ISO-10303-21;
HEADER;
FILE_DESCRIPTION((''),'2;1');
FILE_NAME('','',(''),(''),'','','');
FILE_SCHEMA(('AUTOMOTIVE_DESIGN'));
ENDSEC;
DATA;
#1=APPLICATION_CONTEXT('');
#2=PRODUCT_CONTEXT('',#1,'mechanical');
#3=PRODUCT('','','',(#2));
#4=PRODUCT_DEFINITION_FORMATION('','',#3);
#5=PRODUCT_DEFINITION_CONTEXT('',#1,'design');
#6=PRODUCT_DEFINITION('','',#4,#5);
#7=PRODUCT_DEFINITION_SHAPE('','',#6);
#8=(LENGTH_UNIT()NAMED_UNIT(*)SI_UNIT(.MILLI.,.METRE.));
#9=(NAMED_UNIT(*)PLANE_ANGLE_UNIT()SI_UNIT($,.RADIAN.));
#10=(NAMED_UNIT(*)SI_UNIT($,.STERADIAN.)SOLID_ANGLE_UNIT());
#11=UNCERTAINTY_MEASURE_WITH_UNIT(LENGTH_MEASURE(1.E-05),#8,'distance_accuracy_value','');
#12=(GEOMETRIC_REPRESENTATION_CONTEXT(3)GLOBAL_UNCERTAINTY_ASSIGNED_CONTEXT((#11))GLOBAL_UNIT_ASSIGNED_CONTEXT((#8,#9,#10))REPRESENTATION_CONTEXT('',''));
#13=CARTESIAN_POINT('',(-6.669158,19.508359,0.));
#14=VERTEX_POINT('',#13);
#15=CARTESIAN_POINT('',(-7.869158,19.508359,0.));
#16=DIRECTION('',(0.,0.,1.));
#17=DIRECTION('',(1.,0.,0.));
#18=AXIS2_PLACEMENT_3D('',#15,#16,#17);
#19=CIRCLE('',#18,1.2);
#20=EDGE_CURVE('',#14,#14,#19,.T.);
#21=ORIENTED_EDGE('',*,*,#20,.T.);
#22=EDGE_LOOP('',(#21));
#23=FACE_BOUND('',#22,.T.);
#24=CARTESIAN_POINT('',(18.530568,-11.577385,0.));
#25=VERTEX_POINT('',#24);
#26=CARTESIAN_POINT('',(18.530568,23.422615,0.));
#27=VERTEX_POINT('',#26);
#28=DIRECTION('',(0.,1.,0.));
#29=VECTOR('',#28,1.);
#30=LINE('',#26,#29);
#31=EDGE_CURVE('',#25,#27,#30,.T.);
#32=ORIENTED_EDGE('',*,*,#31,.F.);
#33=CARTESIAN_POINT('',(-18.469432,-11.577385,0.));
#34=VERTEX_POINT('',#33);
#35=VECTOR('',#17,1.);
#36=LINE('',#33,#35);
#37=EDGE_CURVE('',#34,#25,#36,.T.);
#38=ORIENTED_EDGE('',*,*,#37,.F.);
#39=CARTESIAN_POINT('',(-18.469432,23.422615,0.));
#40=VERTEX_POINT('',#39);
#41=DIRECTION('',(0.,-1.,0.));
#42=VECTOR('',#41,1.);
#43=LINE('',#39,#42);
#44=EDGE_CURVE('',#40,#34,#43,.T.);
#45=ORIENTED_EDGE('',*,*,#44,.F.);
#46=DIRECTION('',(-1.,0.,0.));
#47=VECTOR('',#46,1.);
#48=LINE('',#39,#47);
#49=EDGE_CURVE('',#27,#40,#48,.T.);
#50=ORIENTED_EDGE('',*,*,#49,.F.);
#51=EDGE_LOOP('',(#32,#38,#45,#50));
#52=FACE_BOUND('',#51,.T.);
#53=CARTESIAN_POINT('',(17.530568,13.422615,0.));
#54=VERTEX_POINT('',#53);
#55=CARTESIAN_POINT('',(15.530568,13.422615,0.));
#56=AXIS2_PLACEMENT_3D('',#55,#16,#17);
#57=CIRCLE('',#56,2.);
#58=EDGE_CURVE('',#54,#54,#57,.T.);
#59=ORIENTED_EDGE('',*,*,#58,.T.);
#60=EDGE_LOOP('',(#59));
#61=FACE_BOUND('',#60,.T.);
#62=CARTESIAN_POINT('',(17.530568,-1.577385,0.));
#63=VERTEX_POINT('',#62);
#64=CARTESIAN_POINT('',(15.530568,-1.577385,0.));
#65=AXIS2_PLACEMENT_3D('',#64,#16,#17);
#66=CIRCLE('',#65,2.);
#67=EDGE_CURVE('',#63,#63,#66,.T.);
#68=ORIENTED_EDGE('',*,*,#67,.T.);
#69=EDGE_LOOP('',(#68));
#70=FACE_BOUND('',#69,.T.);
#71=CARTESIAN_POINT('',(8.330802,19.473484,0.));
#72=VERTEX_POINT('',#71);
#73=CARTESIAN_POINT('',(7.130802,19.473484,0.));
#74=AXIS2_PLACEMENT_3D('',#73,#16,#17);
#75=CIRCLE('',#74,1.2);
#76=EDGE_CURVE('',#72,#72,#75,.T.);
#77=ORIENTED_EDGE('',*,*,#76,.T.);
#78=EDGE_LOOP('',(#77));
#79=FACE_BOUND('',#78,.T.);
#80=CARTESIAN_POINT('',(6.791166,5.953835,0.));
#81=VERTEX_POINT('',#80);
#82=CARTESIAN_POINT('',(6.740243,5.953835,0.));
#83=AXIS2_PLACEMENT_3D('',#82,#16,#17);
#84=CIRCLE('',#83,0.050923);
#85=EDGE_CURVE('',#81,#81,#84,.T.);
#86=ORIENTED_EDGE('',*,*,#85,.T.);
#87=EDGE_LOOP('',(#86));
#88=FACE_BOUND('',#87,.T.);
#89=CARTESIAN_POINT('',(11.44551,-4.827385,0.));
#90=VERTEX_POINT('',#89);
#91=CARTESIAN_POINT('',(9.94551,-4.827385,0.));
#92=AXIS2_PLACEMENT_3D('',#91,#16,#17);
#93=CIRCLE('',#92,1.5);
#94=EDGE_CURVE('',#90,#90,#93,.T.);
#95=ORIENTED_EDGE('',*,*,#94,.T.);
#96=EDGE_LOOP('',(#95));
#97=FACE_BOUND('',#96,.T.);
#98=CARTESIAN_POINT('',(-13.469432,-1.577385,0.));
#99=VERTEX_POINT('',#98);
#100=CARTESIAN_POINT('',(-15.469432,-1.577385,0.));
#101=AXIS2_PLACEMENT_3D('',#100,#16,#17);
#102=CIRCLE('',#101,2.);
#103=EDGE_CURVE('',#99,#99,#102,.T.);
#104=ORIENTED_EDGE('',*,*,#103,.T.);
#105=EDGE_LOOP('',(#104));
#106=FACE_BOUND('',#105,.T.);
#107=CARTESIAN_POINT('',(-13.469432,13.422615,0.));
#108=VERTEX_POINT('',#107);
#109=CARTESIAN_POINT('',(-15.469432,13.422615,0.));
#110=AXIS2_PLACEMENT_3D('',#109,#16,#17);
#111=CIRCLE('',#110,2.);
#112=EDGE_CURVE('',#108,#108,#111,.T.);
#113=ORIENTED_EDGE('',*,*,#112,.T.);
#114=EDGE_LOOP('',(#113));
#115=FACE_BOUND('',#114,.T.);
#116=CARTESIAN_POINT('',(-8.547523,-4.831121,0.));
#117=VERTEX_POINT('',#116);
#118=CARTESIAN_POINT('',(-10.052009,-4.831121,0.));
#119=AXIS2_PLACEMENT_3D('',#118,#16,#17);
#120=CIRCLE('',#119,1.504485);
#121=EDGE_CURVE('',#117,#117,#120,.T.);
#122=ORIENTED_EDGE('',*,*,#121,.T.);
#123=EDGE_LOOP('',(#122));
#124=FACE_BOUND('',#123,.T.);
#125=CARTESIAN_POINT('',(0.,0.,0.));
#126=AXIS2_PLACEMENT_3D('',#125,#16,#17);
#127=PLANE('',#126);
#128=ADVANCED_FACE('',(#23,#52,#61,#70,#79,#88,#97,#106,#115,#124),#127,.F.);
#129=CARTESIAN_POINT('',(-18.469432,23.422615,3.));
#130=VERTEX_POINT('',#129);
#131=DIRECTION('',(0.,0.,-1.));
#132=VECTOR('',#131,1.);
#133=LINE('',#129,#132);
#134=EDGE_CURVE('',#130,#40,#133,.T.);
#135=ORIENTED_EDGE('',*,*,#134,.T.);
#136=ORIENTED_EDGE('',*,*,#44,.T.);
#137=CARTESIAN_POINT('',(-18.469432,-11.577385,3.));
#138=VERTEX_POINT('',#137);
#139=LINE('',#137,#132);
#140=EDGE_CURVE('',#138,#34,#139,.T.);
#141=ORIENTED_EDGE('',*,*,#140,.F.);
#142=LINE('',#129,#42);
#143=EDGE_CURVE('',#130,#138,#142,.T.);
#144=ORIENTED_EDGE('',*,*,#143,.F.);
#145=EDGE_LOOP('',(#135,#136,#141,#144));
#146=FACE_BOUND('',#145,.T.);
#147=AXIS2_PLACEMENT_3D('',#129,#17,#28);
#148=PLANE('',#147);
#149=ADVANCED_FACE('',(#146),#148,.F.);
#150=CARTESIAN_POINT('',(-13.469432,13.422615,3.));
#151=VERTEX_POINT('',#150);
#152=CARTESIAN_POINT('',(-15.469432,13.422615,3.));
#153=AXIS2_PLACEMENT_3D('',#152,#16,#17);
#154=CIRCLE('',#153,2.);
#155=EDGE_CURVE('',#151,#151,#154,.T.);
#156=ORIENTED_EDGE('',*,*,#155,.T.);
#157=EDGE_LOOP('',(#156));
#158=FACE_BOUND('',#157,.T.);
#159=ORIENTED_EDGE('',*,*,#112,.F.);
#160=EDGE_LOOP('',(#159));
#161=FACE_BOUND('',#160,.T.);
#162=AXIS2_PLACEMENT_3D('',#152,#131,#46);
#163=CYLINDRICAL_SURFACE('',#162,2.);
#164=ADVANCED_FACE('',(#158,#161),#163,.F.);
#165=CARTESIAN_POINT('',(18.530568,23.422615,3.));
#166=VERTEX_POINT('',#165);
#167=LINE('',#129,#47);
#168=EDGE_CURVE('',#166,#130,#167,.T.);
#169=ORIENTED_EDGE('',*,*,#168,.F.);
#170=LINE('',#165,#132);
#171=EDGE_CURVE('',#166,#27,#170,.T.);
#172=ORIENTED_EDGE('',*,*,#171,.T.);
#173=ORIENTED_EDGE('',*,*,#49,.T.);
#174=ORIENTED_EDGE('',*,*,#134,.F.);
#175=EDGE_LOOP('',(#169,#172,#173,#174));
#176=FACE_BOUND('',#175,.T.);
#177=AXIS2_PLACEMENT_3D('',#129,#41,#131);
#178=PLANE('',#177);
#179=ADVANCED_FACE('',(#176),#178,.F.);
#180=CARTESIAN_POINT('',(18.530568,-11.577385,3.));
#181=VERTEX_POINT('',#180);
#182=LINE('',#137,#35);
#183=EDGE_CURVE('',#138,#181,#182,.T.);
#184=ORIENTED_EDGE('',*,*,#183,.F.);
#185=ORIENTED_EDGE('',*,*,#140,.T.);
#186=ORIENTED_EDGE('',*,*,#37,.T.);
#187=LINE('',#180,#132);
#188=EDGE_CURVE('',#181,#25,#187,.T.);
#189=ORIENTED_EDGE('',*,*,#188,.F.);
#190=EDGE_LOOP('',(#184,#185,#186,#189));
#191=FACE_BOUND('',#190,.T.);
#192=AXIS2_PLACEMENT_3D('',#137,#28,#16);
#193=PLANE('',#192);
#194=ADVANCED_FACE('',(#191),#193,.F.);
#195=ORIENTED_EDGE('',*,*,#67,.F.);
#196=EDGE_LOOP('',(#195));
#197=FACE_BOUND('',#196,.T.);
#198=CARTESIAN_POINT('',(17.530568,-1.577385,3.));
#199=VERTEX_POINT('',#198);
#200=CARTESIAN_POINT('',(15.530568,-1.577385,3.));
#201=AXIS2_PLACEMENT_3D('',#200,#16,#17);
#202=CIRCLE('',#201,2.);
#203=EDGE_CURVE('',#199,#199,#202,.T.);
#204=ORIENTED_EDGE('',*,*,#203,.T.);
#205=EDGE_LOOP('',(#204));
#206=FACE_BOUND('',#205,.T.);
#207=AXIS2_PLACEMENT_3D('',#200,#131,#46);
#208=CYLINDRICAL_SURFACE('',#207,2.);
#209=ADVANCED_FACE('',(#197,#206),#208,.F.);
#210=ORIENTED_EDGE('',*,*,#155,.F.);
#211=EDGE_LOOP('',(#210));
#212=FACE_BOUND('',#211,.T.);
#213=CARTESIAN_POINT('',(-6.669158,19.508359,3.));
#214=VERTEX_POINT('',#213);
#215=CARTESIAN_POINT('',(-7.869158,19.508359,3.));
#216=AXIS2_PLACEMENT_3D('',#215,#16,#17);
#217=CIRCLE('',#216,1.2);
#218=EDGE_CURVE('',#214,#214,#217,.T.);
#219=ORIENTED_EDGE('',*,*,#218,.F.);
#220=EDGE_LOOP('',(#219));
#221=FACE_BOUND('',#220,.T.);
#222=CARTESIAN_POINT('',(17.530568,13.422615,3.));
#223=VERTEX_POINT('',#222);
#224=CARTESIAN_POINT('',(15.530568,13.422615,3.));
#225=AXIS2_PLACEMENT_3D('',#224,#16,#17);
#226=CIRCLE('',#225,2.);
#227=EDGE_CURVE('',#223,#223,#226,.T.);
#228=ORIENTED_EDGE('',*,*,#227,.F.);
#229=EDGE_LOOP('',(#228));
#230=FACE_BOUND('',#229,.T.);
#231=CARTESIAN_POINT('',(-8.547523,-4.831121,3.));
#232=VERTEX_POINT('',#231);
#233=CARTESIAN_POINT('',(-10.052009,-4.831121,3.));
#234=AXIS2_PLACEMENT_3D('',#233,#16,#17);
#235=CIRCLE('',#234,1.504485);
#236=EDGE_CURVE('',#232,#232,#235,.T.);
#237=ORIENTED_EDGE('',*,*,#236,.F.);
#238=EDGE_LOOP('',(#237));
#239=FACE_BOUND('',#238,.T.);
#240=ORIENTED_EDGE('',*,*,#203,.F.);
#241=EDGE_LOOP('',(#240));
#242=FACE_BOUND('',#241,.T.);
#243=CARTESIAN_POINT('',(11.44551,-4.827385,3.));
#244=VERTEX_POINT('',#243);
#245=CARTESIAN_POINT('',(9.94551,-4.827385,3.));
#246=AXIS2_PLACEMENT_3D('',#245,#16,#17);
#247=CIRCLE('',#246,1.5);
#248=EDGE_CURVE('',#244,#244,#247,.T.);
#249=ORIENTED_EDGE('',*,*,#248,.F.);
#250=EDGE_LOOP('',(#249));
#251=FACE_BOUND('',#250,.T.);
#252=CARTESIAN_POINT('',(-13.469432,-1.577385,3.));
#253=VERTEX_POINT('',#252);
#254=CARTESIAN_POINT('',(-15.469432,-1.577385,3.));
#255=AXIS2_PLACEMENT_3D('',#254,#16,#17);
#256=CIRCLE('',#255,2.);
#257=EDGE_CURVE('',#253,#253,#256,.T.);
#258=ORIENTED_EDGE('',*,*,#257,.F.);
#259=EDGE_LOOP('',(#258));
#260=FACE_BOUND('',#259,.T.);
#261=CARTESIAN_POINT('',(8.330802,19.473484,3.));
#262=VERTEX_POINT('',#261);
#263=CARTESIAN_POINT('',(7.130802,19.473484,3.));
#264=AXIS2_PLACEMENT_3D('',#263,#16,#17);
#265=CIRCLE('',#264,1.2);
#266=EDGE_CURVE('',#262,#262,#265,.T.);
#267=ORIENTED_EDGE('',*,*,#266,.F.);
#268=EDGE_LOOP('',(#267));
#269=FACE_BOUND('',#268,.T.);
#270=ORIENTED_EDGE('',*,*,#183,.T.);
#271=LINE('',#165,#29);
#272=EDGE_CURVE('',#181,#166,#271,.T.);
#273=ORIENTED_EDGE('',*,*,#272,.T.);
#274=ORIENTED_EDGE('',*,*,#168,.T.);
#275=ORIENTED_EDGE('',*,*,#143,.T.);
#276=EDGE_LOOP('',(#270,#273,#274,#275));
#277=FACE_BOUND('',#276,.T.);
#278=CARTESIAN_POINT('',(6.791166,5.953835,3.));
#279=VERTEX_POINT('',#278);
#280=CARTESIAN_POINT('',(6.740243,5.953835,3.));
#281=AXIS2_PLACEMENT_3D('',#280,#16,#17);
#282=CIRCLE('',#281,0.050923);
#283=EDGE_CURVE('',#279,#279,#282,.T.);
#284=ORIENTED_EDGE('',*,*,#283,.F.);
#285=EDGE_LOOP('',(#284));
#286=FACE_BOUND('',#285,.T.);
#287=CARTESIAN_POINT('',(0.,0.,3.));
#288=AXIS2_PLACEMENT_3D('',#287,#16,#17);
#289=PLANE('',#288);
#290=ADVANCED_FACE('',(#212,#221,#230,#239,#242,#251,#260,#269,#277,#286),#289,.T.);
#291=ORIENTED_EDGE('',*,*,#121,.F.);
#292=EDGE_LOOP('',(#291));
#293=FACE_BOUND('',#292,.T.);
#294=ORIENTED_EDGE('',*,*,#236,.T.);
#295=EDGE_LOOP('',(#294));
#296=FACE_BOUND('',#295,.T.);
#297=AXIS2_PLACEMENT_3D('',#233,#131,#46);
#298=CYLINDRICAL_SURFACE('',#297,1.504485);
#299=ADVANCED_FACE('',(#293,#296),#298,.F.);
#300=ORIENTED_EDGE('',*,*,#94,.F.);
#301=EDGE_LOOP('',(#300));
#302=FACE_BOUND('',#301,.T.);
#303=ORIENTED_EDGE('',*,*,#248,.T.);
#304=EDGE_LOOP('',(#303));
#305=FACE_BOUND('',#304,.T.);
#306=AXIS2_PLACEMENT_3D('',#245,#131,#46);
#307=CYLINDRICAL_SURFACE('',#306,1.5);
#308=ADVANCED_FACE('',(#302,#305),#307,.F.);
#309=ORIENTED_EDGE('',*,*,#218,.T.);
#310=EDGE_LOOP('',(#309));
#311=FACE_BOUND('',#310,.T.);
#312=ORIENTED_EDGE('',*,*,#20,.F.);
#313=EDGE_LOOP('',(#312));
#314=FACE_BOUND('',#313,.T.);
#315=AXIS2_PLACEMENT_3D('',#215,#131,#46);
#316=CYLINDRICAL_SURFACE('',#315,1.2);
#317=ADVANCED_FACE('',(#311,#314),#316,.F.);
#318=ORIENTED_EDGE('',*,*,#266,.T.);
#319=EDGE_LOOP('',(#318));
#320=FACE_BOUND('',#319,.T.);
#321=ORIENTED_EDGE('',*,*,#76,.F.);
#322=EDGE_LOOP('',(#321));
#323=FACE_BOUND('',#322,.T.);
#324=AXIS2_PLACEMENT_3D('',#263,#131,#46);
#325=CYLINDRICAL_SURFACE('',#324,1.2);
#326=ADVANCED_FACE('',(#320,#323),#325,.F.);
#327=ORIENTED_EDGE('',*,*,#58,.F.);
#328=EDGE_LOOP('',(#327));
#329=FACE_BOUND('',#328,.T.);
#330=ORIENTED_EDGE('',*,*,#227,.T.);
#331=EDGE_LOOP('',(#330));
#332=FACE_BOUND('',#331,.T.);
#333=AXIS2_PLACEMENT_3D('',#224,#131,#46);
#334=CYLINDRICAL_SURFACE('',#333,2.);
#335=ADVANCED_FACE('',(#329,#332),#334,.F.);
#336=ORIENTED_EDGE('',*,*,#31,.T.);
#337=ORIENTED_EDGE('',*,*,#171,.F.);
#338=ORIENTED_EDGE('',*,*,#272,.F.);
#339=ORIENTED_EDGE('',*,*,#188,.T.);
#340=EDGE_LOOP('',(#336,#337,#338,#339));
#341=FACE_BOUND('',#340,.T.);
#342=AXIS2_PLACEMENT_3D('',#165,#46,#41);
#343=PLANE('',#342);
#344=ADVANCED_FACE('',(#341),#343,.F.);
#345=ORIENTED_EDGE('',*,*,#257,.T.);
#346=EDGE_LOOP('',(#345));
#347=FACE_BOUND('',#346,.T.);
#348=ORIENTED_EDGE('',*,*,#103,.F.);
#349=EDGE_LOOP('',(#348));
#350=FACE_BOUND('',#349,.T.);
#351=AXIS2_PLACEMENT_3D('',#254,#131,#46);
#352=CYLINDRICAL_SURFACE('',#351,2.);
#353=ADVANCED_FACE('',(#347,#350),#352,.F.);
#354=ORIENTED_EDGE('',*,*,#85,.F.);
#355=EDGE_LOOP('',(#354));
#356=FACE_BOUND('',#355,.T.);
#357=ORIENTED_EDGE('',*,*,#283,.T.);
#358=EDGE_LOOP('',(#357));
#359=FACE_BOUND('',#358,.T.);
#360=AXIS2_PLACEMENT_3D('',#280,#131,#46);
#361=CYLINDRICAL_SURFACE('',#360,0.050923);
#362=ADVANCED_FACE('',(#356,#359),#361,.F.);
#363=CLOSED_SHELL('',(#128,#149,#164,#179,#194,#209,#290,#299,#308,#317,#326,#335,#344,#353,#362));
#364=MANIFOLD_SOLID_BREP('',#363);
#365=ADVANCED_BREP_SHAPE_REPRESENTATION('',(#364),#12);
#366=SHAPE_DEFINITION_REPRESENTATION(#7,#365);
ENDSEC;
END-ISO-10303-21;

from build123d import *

# Parameters (mm, degrees)
SKETCH1_W           = 37
SKETCH1_H           = 35
SKETCH1_R           = 1.5
SKETCH1_R_2         = 0.050923396
SKETCH1_R_3         = 1.504485308
SKETCH1_R_4         = 1.2
SKETCH1_R_5         = 2
BOSS_EXTRUDE1_DEPTH = 3


with BuildPart() as part:
    # Sketch1 → Boss-Extrude1 (new body)
    with BuildSketch(Plane.XY):
        with Locations((0.030567594, 5.922615255)):
            Rectangle(SKETCH1_W, SKETCH1_H)
        with Locations((9.945509842, -4.827384745)):
            Circle(SKETCH1_R, mode=Mode.SUBTRACT)
        with Locations((6.740243031, 5.953835455)):
            Circle(SKETCH1_R_2, mode=Mode.SUBTRACT)
        with Locations((-10.052008632, -4.831121055)):
            Circle(SKETCH1_R_3, mode=Mode.SUBTRACT)
        with Locations((-7.869157906, 19.508358976)):
            Circle(SKETCH1_R_4, mode=Mode.SUBTRACT)
        with Locations((7.130801552, 19.473483987)):
            Circle(SKETCH1_R_4, mode=Mode.SUBTRACT)
        with Locations((-15.469432406, -1.577384745)):
            Circle(SKETCH1_R_5, mode=Mode.SUBTRACT)
        with Locations((15.530567594, -1.577384745)):
            Circle(SKETCH1_R_5, mode=Mode.SUBTRACT)
        with Locations((-15.469432406, 13.422615255)):
            Circle(SKETCH1_R_5, mode=Mode.SUBTRACT)
        with Locations((15.530567594, 13.422615255)):
            Circle(SKETCH1_R_5, mode=Mode.SUBTRACT)
    extrude(amount=BOSS_EXTRUDE1_DEPTH)


solid = part.part
